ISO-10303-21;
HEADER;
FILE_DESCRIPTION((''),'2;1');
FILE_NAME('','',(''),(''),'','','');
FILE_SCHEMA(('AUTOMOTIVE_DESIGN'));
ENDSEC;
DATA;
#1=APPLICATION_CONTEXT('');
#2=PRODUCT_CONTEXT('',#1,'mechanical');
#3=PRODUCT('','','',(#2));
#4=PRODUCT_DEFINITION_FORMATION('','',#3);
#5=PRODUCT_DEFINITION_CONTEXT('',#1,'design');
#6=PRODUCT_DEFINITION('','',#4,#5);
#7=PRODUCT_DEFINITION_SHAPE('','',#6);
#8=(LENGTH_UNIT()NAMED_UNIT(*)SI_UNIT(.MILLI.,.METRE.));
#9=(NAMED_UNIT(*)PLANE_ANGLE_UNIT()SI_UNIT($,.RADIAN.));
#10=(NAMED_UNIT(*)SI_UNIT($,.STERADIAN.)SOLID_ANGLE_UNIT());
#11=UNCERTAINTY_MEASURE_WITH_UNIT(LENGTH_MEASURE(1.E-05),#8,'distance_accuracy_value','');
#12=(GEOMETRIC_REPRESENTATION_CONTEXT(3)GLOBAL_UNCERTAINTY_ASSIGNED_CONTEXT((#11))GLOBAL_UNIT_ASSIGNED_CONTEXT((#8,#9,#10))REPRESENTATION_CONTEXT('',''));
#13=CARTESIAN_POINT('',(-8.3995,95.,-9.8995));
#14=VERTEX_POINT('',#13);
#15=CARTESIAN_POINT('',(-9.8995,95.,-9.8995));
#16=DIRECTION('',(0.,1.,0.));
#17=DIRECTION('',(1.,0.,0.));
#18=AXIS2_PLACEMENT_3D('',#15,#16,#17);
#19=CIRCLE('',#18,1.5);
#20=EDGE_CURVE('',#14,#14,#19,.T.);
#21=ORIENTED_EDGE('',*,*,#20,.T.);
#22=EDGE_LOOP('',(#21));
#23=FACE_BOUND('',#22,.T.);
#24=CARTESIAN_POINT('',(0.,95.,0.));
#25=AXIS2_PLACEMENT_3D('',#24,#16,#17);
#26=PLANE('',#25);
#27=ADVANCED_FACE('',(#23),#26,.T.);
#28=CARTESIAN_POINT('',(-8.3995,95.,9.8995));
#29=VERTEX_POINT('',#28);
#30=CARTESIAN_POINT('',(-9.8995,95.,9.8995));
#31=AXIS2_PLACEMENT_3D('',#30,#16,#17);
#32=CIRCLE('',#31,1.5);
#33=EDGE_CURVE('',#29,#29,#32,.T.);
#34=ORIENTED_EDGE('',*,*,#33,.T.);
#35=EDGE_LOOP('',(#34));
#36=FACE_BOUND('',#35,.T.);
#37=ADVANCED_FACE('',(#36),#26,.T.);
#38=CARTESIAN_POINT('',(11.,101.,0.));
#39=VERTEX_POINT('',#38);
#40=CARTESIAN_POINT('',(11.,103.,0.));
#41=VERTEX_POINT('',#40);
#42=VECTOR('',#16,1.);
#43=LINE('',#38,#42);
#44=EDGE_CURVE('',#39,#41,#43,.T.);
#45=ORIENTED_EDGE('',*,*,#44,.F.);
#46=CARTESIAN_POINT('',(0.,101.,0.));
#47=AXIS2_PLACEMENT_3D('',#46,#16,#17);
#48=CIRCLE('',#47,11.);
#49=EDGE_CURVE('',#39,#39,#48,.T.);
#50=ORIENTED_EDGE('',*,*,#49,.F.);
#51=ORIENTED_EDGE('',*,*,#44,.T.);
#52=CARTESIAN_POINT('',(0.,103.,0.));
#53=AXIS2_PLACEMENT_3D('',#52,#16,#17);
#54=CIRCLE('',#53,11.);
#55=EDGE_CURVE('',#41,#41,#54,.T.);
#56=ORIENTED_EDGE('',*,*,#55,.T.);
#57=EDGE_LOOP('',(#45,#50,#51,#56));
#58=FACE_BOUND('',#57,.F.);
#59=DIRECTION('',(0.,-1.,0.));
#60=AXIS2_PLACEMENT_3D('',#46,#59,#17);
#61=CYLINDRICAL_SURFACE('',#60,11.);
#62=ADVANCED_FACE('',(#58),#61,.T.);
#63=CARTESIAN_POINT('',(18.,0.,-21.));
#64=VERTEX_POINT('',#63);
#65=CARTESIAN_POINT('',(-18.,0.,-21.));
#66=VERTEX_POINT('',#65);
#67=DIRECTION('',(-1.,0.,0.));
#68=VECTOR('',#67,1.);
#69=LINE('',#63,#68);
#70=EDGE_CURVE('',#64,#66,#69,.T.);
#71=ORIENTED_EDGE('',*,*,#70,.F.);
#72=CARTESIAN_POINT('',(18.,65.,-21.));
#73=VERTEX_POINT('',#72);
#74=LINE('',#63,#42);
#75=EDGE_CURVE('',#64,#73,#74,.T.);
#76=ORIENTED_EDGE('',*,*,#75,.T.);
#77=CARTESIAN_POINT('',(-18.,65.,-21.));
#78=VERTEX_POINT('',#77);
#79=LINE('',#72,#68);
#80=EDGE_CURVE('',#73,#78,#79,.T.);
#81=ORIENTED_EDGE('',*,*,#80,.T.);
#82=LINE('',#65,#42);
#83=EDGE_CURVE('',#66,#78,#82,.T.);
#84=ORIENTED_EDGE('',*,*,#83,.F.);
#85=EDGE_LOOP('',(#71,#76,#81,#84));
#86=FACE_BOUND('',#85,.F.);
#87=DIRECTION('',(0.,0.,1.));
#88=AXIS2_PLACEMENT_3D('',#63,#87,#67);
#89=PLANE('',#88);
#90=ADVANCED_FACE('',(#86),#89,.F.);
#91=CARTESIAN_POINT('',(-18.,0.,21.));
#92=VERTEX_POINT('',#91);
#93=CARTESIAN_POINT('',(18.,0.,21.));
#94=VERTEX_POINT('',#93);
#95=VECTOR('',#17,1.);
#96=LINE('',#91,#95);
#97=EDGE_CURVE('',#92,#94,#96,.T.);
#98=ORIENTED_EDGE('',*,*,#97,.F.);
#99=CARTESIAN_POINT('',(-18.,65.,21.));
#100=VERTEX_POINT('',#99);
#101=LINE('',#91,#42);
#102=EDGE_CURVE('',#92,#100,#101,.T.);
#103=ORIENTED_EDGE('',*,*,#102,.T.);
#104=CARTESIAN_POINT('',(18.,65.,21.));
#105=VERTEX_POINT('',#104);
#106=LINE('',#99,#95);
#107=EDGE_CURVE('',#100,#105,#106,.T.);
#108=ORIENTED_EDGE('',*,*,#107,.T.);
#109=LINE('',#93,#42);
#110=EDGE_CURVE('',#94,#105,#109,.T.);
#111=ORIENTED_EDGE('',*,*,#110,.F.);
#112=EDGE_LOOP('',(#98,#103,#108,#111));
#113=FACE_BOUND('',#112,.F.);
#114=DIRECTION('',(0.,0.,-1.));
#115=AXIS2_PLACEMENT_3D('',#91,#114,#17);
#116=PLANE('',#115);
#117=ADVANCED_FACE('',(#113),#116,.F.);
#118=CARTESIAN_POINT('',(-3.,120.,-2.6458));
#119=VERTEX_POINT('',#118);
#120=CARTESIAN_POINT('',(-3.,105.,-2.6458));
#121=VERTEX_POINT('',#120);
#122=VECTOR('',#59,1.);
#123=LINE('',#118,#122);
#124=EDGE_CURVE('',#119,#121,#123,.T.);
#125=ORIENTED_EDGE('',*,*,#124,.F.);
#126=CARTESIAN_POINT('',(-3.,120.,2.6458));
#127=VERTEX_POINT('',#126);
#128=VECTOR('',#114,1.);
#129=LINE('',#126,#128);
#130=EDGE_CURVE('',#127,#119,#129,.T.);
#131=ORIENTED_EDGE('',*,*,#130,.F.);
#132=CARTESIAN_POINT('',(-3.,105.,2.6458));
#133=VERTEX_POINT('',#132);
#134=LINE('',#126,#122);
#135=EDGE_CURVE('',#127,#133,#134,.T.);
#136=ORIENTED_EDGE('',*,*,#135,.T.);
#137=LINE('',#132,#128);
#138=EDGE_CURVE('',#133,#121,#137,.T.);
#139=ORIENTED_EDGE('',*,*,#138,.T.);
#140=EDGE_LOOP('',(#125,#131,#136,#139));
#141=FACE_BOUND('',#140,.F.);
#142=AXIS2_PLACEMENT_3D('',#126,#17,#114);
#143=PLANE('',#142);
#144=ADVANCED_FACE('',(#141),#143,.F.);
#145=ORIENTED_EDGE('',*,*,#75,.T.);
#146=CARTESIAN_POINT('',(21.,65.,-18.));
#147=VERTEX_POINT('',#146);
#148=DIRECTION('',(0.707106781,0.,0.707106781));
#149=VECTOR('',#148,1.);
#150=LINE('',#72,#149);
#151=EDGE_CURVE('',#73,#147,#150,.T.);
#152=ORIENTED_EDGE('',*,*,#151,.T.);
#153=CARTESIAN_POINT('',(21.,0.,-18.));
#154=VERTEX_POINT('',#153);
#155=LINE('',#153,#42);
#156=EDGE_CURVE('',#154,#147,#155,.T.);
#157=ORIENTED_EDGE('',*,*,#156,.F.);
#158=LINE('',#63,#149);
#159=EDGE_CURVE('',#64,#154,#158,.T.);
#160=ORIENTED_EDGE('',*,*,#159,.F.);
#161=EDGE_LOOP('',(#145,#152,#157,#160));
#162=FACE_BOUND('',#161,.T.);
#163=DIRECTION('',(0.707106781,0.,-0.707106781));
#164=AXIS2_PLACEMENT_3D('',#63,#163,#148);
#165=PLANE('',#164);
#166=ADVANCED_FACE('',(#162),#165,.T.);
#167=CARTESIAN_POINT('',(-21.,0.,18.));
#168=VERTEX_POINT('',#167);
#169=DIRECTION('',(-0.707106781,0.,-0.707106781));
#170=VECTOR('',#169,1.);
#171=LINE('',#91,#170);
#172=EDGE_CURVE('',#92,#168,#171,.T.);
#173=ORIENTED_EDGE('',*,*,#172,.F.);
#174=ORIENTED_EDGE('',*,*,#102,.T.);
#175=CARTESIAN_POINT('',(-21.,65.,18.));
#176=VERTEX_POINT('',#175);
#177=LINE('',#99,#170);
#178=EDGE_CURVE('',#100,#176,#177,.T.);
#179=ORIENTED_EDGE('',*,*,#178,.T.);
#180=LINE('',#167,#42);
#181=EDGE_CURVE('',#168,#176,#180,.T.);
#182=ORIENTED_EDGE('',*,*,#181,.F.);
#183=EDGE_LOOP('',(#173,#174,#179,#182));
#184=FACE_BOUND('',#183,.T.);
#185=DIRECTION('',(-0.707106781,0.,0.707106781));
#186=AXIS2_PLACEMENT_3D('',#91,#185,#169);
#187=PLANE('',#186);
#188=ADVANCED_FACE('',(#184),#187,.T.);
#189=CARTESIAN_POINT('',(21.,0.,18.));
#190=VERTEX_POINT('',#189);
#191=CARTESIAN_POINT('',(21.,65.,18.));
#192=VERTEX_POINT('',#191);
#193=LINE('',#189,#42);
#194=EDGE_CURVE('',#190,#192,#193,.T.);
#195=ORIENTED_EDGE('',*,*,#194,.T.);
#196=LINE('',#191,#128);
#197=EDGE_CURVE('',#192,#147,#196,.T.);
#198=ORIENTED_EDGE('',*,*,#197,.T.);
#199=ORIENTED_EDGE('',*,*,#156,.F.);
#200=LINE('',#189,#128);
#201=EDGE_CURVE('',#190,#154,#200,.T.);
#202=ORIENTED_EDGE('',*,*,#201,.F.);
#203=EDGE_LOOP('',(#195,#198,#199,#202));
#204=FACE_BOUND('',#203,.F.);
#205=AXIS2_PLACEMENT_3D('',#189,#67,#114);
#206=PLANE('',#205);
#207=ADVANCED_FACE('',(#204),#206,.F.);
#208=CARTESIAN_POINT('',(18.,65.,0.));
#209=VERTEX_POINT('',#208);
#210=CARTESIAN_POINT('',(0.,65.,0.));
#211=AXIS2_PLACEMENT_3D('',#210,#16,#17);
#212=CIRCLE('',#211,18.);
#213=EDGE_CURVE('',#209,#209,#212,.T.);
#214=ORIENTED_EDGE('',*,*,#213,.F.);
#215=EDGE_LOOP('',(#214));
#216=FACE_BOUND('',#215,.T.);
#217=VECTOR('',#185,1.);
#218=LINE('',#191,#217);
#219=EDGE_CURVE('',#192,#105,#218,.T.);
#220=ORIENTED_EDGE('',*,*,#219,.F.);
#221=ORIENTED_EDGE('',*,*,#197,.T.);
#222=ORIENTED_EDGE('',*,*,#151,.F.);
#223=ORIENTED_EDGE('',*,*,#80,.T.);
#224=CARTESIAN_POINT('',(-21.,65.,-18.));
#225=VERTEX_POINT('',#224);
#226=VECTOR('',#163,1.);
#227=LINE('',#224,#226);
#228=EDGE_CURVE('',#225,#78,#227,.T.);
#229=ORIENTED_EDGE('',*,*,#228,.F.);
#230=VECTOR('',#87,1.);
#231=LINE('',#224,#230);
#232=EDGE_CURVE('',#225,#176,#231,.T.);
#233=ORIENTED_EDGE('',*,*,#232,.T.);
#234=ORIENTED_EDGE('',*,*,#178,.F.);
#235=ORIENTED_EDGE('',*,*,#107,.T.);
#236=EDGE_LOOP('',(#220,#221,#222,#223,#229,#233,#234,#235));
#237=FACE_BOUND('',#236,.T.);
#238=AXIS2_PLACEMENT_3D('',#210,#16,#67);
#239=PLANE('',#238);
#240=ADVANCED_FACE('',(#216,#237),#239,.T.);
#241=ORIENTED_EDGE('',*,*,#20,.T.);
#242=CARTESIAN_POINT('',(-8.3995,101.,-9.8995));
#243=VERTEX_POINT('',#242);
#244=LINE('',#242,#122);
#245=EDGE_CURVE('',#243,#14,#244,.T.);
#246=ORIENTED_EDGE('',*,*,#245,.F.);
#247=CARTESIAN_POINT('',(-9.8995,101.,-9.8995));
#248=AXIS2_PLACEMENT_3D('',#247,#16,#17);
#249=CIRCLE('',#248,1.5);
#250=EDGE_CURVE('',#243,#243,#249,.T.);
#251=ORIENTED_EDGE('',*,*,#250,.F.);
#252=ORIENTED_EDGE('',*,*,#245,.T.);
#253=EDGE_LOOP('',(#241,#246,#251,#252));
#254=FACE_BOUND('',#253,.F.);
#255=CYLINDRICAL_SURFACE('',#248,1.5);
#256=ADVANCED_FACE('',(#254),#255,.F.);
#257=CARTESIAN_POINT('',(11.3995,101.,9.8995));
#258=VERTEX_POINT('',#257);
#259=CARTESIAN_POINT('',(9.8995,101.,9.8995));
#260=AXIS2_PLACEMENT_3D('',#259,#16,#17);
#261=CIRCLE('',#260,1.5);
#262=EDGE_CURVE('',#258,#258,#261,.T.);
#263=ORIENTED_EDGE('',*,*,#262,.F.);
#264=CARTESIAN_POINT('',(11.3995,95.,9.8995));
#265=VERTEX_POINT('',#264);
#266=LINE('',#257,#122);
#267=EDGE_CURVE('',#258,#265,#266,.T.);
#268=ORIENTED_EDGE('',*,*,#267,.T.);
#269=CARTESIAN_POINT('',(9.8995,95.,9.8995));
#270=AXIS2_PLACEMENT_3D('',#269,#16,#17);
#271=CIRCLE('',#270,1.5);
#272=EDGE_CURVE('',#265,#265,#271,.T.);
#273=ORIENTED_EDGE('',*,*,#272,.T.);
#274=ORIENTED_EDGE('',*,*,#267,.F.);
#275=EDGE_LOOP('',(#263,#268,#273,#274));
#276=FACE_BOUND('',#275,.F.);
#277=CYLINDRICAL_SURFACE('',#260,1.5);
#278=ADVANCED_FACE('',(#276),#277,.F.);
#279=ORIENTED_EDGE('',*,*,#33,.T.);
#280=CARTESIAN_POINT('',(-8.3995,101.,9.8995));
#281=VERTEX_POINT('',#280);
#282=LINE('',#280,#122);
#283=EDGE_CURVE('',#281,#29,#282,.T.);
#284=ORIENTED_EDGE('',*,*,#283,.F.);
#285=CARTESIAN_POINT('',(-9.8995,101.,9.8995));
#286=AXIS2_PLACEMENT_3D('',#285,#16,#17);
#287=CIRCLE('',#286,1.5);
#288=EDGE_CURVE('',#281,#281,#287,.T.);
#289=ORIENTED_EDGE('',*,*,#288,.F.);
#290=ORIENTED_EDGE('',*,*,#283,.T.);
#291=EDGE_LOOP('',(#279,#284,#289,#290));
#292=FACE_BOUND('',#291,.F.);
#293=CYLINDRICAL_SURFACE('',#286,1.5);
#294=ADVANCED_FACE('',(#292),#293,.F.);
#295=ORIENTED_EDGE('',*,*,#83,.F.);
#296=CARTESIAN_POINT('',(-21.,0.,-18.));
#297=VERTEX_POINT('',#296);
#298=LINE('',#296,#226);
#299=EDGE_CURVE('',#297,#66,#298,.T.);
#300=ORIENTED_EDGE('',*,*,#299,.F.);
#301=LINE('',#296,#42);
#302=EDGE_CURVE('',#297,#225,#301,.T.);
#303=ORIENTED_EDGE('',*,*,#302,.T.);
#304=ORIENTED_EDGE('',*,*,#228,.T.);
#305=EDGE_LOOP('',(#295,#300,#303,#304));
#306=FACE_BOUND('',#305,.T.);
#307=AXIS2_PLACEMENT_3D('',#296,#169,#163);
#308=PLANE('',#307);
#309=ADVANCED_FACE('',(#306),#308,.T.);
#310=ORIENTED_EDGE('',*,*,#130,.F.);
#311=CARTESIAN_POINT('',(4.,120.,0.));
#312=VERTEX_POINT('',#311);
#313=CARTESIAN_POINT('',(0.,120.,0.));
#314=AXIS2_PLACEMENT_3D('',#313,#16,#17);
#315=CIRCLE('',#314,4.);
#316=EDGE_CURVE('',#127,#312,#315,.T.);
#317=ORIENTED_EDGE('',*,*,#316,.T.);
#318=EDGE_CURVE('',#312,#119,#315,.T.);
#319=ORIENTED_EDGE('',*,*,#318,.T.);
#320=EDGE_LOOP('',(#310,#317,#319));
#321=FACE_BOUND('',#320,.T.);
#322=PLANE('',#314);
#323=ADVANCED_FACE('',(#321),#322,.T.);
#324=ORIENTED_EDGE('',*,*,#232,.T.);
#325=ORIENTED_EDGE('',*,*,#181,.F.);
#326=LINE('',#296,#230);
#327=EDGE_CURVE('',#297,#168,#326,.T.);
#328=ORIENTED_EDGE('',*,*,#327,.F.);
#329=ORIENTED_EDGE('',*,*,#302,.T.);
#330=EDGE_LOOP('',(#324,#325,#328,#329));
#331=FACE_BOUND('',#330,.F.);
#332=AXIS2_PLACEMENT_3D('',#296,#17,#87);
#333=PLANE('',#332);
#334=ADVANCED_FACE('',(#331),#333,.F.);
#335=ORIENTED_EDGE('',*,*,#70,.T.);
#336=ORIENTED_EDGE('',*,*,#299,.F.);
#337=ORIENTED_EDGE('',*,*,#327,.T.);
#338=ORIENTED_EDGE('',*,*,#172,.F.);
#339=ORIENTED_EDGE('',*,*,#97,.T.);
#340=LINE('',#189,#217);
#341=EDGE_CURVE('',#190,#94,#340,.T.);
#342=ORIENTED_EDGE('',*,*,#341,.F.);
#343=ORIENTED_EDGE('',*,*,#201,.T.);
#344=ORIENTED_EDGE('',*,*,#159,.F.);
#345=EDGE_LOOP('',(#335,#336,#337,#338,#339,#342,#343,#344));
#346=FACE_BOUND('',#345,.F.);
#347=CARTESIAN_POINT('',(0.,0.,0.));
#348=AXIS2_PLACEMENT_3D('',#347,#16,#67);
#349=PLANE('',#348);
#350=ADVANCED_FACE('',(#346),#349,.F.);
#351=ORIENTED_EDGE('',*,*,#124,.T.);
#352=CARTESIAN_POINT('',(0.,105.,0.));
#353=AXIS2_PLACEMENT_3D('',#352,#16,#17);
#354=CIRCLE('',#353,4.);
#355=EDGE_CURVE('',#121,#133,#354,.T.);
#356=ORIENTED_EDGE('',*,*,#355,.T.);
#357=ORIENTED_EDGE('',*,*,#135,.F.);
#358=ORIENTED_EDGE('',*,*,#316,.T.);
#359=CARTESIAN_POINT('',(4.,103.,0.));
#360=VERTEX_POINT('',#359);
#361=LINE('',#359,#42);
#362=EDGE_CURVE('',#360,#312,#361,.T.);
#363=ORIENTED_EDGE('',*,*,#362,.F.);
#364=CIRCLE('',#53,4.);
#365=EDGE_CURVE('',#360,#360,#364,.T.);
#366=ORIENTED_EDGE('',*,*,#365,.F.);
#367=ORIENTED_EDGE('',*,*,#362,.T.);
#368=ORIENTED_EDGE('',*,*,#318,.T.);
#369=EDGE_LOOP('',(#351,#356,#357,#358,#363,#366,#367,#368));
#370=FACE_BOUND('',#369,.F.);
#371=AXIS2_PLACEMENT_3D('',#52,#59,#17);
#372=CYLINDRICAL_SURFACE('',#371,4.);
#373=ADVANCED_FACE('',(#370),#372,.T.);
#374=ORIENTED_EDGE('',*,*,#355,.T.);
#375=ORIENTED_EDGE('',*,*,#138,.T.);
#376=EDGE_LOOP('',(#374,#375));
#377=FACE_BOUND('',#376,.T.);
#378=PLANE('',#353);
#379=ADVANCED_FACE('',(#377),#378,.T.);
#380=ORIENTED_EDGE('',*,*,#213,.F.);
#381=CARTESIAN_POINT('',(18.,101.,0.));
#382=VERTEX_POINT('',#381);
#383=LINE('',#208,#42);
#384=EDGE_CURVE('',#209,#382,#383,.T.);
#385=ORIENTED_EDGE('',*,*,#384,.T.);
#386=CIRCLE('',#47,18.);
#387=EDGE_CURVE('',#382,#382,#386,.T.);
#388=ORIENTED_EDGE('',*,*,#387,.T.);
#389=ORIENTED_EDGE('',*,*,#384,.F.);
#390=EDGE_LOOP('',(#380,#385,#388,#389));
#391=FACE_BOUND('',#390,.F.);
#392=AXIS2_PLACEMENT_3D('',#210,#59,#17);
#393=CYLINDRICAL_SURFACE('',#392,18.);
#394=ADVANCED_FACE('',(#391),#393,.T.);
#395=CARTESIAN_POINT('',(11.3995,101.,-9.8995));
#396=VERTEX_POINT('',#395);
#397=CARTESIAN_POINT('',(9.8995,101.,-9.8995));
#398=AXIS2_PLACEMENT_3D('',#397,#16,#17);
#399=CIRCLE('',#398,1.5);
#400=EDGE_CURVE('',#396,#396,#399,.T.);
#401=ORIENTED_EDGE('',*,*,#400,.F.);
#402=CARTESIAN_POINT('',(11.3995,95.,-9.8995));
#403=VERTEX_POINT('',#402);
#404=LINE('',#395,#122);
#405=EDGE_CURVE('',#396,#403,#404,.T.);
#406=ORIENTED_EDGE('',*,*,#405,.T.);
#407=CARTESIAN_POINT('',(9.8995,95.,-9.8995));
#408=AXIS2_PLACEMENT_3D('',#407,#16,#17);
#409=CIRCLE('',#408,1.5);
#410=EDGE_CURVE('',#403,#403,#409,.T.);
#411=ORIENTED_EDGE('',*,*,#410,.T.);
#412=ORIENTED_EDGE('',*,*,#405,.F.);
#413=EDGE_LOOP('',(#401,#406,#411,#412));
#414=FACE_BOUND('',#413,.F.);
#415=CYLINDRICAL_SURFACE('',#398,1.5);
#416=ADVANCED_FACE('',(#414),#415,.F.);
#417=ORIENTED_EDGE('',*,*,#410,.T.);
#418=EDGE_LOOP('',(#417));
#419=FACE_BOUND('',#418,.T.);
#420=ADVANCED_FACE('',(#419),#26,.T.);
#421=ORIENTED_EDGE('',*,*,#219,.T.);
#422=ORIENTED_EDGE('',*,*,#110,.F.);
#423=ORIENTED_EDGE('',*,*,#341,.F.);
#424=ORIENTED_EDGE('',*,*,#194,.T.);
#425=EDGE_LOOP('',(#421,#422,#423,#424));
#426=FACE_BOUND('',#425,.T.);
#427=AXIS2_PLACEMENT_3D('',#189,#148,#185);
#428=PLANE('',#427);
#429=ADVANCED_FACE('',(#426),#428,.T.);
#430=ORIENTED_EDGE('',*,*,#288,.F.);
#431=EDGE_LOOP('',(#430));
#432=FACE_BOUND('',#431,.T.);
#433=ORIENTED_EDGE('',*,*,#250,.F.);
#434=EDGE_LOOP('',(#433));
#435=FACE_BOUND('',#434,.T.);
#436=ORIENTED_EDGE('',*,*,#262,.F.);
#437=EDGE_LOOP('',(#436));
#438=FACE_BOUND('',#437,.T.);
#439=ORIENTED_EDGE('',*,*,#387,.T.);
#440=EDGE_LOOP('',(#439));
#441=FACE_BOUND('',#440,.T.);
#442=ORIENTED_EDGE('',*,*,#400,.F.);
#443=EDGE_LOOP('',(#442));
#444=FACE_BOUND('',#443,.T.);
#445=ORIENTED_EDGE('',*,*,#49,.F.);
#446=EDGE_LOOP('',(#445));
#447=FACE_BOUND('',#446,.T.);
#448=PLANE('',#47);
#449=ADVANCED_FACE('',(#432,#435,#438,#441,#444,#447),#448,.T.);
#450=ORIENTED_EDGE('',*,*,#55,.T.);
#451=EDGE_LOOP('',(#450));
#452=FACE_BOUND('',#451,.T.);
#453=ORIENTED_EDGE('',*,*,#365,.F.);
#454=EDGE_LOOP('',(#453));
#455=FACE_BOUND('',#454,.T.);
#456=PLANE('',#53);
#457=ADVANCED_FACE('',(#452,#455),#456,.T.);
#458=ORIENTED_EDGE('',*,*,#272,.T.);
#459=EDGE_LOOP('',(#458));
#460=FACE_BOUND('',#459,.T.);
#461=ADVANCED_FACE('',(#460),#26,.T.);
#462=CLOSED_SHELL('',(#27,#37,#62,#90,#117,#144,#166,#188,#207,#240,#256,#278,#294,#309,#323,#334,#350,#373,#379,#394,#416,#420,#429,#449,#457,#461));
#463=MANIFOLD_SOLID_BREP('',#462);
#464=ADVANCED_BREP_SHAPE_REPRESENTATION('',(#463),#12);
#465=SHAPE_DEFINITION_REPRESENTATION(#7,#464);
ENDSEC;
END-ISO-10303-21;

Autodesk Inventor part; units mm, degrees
ref_plane "YZ Plane" through (0, 0, 0) normal (1, 0, 0) x (0, 1, 0)
ref_plane "XZ Plane" through (0, 0, 0) normal (0, 1, 0) x (-1, 0, 0)
ref_plane "XY Plane" through (0, 0, 0) normal (0, 0, 1) x (1, 0, 0)
sketch "草圖1" plane through (0, 0, 0) normal (0, 1, 0) x (-1, 0, 0)
  line L0 (18, 21) -> (-18, 21)
  line L1 (-21, 18) -> (-21, -18)
  line L2 (-18, -21) -> (18, -21)
  line L3 (21, -18) -> (21, 18)
  line L4 (21, 21) -> (-21, -21) construction
  line L5 (-21, 21) -> (21, -21) construction
  line L6 (21, -18) -> (18, -21)
  line L7 (-18, -21) -> (-21, -18)
  line L8 (-21, 18) -> (-18, 21)
  line L9 (18, 21) -> (21, 18)
  point P0 (0, 0)
  dimension "d0" = 42
  dimension "d1" = 42
  dimension "d2" = 3
  dimension "d3" = 3
  dimension "d4" = 3
  dimension "d5" = 3
  dimension "d6" = 3
  dimension "d7" = 3
  dimension "d8" = 3
  dimension "d9" = 3
extrude "擠出1" add sketch "草圖1" along normal blind 65
sketch "草圖2" plane through (0, 65, 0) normal (0, 1, 0) x (1, 0, 0)
  circle A0 centre (0, 0) radius 18
  dimension "d12" = 36
extrude "擠出2" add sketch "草圖2" along normal blind 36
sketch "草圖3" plane through (0, 101, 0) normal (0, 1, 0) x (1, 0, 0)
  circle A0 centre (0, 0) radius 14 construction
  circle A1 centre (0, 0) radius 11
  line L0 (0, 0) -> (-19.5, -19.5) construction
  line L1 (-21, -18) -> (-18, -21) projected
  circle A2 centre (-9.8995, -9.8995) radius 1.5
  circle A3 centre (9.8995, -9.8995) radius 1.5
  circle A4 centre (9.8995, 9.8995) radius 1.5
  circle A5 centre (-9.8995, 9.8995) radius 1.5
  dimension "d15" = 28
  dimension "d16" = 22
  dimension "d18" = 3
  dimension "d21" = 360
extrude "擠出3" cut sketch "草圖3" against normal blind 6 contours A2 | A3 | A4 | A5
extrude "擠出4" add sketch "草圖3" along normal blind 2 contours A1
sketch "草圖4" plane through (0, 103, 0) normal (0, 1, 0) x (1, 0, 0)
  circle A0 centre (0, 0) radius 4
  dimension "d27" = 8
extrude "擠出5" add sketch "草圖4" along normal blind 17
sketch "草圖5" plane through (0, 120, 0) normal (0, 1, 0) x (1, 0, 0)
  circle A0 centre (0, 0) radius 4 projected
  line L0 (-3, -2.6458) -> (-3, 2.6458)
  dimension "d30" = 7
extrude "擠出6" cut sketch "草圖5" against normal blind 15 contours L0 A0 picked at (-3.1815, -0.6179)
sketch "草圖7" plane through (0, 0, 0) normal (0, -1, 0) x (1, 0, 0)
  point P0 (0, 0)
  point P1 (0, 0)
equation "\"d3\" = d2"
equation "\"d4\" = d2"
equation "\"d5\" = d4"
equation "\"d6\" = d2"
equation "\"d7\" = d6"
equation "\"d8\" = d2"
equation "\"d9\" = d8"
properties part number "stepper 42-27"
